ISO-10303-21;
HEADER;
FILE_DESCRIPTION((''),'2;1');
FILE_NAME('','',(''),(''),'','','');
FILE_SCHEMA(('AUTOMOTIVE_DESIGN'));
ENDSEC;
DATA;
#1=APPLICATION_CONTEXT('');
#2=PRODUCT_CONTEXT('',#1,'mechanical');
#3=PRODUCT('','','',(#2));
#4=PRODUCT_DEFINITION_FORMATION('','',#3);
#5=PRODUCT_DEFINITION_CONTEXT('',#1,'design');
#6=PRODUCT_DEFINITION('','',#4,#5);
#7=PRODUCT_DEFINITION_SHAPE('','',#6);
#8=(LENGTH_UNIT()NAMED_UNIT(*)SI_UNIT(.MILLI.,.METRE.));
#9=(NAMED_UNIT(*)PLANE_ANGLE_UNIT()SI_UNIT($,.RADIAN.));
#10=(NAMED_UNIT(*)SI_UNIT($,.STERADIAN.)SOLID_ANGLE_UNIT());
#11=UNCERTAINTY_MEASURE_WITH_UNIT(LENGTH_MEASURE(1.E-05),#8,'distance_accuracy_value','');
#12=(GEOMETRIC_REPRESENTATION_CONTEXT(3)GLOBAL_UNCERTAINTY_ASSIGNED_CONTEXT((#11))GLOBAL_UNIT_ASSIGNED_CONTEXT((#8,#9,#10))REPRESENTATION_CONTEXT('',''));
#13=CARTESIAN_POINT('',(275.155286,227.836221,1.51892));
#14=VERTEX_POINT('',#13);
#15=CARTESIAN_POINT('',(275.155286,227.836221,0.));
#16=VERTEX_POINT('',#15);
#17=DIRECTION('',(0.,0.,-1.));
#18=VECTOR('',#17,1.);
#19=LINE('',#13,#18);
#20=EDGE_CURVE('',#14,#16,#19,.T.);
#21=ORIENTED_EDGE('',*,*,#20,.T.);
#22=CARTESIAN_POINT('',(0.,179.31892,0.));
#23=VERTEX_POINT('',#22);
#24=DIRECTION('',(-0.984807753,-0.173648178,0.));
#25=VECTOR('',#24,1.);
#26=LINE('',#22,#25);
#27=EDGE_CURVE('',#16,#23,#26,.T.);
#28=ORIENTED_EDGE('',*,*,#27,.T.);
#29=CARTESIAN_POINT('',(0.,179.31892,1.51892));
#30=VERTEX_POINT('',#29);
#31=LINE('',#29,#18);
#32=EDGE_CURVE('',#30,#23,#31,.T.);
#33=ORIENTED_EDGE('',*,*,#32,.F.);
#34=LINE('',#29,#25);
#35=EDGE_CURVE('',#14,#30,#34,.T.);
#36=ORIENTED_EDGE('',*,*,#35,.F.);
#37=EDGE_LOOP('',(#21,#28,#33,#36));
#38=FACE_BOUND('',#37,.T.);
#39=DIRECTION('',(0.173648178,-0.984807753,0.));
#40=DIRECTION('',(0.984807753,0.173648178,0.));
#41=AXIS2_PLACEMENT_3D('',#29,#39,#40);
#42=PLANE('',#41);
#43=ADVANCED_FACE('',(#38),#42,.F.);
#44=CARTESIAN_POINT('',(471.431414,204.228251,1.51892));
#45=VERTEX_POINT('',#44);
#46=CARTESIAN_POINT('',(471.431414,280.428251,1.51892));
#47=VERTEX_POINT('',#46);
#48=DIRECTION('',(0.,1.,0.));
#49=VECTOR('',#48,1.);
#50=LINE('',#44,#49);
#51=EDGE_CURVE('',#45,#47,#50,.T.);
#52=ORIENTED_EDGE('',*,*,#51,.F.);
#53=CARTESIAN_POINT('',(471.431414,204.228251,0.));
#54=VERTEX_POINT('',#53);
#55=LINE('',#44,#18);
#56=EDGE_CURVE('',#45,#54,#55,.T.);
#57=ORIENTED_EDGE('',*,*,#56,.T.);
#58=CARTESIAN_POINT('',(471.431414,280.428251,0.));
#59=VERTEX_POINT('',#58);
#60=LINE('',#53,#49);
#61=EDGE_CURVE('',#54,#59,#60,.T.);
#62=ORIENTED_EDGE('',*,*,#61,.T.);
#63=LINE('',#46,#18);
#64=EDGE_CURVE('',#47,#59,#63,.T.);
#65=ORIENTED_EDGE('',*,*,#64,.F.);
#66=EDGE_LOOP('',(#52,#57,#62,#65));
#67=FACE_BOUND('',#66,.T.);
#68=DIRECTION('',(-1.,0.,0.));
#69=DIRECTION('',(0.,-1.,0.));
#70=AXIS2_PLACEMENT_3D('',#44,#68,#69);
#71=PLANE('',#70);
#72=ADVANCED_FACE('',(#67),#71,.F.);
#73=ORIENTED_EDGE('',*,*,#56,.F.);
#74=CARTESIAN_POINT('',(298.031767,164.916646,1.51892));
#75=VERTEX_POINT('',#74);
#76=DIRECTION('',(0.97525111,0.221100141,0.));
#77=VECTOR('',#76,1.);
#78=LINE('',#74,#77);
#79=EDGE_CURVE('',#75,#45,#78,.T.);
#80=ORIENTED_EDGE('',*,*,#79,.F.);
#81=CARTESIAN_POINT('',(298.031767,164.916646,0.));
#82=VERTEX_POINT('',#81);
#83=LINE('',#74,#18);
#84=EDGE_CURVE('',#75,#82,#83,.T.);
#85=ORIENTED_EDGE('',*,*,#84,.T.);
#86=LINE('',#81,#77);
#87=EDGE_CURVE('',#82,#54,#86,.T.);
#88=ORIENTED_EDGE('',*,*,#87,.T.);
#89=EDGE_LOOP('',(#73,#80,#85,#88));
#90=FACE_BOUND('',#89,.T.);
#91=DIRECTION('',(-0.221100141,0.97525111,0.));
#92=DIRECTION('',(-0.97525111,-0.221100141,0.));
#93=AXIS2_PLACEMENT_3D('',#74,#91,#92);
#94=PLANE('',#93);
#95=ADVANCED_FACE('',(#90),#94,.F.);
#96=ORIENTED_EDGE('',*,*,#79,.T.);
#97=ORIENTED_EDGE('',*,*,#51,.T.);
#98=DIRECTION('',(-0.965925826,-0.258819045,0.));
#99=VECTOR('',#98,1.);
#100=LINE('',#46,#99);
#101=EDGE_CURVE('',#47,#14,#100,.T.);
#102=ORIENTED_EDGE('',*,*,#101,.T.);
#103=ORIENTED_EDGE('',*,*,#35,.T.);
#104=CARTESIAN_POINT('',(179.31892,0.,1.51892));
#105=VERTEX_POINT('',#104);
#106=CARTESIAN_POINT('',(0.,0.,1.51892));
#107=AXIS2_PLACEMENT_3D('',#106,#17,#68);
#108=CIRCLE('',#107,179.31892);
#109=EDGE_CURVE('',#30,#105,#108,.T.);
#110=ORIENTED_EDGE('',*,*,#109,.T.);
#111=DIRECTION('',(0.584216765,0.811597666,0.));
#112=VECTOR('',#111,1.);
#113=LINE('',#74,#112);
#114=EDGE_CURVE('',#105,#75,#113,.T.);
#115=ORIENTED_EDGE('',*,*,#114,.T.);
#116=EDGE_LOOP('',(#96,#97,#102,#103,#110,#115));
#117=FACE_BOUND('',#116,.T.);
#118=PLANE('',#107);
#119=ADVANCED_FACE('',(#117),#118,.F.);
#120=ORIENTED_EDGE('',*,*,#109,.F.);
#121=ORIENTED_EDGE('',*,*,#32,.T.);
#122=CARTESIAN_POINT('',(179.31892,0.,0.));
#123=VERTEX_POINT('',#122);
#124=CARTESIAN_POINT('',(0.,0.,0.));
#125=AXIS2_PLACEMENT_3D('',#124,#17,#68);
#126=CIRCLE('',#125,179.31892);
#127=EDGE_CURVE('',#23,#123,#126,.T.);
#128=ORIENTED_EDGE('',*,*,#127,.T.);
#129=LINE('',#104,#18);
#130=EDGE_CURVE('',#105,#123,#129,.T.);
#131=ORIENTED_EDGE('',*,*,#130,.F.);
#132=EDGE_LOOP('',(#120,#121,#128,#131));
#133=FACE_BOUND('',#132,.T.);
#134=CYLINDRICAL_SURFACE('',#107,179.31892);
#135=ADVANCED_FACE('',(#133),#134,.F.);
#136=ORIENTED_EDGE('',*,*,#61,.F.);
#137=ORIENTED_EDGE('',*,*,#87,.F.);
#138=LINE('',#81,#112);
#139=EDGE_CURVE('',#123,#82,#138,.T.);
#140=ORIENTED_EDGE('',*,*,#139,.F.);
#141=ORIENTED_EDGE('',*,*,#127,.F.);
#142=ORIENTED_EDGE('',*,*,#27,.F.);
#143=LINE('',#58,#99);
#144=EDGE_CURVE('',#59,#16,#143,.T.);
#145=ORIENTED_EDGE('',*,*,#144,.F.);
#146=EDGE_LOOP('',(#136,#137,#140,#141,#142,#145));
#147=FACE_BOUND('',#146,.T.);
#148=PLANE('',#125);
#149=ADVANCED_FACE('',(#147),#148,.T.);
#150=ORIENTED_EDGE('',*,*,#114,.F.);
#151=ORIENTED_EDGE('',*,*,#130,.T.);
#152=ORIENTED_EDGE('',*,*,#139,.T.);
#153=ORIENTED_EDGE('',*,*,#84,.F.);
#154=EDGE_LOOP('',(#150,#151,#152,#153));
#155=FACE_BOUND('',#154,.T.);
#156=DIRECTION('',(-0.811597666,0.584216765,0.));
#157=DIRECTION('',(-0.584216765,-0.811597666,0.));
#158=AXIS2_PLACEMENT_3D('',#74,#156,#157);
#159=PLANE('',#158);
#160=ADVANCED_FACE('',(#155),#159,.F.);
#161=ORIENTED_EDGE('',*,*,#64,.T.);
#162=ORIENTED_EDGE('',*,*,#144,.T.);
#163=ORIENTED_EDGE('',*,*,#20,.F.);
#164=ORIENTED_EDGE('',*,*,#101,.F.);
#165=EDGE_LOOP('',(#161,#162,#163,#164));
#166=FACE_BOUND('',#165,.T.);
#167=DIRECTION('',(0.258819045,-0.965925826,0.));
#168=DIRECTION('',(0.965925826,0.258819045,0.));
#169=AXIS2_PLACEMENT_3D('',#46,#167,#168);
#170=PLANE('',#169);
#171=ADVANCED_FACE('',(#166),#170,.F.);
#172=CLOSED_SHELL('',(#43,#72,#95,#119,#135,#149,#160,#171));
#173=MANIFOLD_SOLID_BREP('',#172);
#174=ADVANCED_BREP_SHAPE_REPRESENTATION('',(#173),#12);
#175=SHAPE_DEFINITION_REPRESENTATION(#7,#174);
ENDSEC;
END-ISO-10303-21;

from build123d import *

# Parameters (mm, degrees)
BOSS_EXTRUDE1_DEPTH = 1.51892


with BuildPart() as part:
    # Sketch1 → Boss-Extrude1 (new body)
    with BuildSketch(Plane.XY):
        with BuildLine():
            Line((0, 179.31892), (275.155286192, 227.83622084))
            Line((275.155286192, 227.83622084), (471.431414094, 280.428250805))
            Line((471.431414094, 280.428250805), (471.431414094, 204.228250805))
            Line((471.431414094, 204.228250805), (298.031766742, 164.916645668))
            Line((298.031766742, 164.916645668), (179.31892, 0))
            ThreePointArc((179.31892, 0), (126.797624327, 126.797624327), (0, 179.31892))
        make_face()
    extrude(amount=BOSS_EXTRUDE1_DEPTH)


solid = part.part
